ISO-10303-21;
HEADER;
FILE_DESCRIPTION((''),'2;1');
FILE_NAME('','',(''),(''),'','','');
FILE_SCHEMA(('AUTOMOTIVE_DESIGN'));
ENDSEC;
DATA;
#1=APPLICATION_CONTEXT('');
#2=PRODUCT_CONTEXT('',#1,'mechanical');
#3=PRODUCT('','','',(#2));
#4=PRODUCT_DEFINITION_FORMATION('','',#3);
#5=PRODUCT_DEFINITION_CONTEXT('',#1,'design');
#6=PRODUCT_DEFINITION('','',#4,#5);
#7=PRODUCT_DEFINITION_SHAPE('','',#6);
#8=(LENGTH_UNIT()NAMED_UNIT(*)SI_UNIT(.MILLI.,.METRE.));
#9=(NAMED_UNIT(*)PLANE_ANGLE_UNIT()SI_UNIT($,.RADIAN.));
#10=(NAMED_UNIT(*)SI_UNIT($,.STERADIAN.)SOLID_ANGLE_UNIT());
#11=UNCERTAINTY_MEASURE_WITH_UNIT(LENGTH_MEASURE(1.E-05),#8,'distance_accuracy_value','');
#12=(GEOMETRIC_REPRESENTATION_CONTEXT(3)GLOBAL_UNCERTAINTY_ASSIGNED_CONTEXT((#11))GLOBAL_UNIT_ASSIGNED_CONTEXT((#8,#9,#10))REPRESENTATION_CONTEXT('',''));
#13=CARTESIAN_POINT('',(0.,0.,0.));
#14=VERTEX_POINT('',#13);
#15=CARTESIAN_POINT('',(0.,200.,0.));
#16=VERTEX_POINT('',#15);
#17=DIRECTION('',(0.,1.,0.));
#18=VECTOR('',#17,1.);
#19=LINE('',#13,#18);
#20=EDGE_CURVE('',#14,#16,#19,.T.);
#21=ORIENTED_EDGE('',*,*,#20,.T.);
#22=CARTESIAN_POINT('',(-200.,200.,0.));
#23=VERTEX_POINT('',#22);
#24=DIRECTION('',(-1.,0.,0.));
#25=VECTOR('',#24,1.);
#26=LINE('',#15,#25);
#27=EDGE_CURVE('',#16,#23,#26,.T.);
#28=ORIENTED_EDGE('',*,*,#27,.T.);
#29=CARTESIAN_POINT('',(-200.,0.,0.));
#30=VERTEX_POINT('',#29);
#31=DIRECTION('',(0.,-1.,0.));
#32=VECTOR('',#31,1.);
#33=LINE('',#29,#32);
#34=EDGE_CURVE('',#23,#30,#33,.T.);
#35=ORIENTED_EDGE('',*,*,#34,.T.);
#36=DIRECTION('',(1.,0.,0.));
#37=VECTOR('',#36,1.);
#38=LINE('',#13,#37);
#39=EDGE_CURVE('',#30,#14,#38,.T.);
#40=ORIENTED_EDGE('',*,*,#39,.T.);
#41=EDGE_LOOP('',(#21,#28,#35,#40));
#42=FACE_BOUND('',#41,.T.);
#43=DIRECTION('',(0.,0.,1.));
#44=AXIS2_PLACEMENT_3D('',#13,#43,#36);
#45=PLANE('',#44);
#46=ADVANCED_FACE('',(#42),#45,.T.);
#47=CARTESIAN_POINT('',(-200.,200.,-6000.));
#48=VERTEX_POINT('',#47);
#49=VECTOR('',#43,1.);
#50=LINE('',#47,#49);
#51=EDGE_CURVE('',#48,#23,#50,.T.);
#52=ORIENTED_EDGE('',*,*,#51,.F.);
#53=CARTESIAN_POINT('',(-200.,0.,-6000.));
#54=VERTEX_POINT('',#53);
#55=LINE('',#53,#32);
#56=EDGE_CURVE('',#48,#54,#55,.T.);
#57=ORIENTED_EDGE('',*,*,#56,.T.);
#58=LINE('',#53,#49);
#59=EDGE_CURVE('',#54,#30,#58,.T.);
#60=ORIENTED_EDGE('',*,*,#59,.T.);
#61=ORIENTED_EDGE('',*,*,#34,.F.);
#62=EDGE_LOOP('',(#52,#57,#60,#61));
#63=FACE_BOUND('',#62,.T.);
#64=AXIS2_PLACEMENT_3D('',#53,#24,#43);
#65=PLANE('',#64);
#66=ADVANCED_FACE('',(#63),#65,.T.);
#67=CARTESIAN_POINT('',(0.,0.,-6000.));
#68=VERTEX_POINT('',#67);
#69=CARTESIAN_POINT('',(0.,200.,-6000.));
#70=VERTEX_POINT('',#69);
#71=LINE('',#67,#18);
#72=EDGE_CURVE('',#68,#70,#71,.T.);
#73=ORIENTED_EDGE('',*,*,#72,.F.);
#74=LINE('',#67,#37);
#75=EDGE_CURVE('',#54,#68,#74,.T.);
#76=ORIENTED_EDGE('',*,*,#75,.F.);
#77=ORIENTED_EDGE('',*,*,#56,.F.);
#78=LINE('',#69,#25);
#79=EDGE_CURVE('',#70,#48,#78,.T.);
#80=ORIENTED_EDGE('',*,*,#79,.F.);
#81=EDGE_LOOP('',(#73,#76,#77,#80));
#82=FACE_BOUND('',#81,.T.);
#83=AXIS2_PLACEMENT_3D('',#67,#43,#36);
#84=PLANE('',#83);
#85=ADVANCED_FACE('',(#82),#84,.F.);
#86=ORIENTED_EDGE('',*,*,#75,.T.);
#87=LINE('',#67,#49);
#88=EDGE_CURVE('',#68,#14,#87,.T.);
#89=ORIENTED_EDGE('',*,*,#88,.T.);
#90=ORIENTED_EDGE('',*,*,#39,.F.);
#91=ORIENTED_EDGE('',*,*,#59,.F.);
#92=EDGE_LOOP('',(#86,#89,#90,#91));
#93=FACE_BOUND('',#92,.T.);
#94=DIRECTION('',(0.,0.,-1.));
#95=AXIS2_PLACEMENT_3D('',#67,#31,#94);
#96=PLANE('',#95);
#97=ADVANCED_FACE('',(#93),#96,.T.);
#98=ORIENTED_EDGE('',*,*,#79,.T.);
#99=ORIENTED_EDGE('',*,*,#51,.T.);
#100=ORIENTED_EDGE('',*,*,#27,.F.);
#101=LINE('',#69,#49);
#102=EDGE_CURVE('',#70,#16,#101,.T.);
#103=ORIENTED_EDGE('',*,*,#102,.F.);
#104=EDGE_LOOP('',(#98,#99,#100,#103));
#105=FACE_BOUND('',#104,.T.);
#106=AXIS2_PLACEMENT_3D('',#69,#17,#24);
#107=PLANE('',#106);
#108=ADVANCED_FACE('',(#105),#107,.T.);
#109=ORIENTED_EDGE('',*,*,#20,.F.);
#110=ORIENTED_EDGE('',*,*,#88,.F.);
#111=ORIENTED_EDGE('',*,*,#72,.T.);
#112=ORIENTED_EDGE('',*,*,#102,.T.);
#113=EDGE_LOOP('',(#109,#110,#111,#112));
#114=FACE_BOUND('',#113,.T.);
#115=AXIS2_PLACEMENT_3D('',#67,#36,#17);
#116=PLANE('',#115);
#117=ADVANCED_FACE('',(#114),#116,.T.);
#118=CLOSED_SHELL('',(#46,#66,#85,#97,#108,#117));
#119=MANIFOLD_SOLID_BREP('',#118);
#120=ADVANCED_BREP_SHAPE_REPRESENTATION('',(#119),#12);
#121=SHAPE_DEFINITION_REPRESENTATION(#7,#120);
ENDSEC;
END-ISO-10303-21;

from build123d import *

# Parameters (mm, degrees)
ESQUISSE1_W        = 200
ESQUISSE1_H        = 200
BOSS_EXTRU_1_DEPTH = 6000


with BuildPart() as part:
    # Esquisse1 → Boss.-Extru.1 (new body)
    with BuildSketch(Plane.XY):
        with Locations((-100, 100)):
            Rectangle(ESQUISSE1_W, ESQUISSE1_H)
    extrude(amount=-BOSS_EXTRU_1_DEPTH)


solid = part.part
